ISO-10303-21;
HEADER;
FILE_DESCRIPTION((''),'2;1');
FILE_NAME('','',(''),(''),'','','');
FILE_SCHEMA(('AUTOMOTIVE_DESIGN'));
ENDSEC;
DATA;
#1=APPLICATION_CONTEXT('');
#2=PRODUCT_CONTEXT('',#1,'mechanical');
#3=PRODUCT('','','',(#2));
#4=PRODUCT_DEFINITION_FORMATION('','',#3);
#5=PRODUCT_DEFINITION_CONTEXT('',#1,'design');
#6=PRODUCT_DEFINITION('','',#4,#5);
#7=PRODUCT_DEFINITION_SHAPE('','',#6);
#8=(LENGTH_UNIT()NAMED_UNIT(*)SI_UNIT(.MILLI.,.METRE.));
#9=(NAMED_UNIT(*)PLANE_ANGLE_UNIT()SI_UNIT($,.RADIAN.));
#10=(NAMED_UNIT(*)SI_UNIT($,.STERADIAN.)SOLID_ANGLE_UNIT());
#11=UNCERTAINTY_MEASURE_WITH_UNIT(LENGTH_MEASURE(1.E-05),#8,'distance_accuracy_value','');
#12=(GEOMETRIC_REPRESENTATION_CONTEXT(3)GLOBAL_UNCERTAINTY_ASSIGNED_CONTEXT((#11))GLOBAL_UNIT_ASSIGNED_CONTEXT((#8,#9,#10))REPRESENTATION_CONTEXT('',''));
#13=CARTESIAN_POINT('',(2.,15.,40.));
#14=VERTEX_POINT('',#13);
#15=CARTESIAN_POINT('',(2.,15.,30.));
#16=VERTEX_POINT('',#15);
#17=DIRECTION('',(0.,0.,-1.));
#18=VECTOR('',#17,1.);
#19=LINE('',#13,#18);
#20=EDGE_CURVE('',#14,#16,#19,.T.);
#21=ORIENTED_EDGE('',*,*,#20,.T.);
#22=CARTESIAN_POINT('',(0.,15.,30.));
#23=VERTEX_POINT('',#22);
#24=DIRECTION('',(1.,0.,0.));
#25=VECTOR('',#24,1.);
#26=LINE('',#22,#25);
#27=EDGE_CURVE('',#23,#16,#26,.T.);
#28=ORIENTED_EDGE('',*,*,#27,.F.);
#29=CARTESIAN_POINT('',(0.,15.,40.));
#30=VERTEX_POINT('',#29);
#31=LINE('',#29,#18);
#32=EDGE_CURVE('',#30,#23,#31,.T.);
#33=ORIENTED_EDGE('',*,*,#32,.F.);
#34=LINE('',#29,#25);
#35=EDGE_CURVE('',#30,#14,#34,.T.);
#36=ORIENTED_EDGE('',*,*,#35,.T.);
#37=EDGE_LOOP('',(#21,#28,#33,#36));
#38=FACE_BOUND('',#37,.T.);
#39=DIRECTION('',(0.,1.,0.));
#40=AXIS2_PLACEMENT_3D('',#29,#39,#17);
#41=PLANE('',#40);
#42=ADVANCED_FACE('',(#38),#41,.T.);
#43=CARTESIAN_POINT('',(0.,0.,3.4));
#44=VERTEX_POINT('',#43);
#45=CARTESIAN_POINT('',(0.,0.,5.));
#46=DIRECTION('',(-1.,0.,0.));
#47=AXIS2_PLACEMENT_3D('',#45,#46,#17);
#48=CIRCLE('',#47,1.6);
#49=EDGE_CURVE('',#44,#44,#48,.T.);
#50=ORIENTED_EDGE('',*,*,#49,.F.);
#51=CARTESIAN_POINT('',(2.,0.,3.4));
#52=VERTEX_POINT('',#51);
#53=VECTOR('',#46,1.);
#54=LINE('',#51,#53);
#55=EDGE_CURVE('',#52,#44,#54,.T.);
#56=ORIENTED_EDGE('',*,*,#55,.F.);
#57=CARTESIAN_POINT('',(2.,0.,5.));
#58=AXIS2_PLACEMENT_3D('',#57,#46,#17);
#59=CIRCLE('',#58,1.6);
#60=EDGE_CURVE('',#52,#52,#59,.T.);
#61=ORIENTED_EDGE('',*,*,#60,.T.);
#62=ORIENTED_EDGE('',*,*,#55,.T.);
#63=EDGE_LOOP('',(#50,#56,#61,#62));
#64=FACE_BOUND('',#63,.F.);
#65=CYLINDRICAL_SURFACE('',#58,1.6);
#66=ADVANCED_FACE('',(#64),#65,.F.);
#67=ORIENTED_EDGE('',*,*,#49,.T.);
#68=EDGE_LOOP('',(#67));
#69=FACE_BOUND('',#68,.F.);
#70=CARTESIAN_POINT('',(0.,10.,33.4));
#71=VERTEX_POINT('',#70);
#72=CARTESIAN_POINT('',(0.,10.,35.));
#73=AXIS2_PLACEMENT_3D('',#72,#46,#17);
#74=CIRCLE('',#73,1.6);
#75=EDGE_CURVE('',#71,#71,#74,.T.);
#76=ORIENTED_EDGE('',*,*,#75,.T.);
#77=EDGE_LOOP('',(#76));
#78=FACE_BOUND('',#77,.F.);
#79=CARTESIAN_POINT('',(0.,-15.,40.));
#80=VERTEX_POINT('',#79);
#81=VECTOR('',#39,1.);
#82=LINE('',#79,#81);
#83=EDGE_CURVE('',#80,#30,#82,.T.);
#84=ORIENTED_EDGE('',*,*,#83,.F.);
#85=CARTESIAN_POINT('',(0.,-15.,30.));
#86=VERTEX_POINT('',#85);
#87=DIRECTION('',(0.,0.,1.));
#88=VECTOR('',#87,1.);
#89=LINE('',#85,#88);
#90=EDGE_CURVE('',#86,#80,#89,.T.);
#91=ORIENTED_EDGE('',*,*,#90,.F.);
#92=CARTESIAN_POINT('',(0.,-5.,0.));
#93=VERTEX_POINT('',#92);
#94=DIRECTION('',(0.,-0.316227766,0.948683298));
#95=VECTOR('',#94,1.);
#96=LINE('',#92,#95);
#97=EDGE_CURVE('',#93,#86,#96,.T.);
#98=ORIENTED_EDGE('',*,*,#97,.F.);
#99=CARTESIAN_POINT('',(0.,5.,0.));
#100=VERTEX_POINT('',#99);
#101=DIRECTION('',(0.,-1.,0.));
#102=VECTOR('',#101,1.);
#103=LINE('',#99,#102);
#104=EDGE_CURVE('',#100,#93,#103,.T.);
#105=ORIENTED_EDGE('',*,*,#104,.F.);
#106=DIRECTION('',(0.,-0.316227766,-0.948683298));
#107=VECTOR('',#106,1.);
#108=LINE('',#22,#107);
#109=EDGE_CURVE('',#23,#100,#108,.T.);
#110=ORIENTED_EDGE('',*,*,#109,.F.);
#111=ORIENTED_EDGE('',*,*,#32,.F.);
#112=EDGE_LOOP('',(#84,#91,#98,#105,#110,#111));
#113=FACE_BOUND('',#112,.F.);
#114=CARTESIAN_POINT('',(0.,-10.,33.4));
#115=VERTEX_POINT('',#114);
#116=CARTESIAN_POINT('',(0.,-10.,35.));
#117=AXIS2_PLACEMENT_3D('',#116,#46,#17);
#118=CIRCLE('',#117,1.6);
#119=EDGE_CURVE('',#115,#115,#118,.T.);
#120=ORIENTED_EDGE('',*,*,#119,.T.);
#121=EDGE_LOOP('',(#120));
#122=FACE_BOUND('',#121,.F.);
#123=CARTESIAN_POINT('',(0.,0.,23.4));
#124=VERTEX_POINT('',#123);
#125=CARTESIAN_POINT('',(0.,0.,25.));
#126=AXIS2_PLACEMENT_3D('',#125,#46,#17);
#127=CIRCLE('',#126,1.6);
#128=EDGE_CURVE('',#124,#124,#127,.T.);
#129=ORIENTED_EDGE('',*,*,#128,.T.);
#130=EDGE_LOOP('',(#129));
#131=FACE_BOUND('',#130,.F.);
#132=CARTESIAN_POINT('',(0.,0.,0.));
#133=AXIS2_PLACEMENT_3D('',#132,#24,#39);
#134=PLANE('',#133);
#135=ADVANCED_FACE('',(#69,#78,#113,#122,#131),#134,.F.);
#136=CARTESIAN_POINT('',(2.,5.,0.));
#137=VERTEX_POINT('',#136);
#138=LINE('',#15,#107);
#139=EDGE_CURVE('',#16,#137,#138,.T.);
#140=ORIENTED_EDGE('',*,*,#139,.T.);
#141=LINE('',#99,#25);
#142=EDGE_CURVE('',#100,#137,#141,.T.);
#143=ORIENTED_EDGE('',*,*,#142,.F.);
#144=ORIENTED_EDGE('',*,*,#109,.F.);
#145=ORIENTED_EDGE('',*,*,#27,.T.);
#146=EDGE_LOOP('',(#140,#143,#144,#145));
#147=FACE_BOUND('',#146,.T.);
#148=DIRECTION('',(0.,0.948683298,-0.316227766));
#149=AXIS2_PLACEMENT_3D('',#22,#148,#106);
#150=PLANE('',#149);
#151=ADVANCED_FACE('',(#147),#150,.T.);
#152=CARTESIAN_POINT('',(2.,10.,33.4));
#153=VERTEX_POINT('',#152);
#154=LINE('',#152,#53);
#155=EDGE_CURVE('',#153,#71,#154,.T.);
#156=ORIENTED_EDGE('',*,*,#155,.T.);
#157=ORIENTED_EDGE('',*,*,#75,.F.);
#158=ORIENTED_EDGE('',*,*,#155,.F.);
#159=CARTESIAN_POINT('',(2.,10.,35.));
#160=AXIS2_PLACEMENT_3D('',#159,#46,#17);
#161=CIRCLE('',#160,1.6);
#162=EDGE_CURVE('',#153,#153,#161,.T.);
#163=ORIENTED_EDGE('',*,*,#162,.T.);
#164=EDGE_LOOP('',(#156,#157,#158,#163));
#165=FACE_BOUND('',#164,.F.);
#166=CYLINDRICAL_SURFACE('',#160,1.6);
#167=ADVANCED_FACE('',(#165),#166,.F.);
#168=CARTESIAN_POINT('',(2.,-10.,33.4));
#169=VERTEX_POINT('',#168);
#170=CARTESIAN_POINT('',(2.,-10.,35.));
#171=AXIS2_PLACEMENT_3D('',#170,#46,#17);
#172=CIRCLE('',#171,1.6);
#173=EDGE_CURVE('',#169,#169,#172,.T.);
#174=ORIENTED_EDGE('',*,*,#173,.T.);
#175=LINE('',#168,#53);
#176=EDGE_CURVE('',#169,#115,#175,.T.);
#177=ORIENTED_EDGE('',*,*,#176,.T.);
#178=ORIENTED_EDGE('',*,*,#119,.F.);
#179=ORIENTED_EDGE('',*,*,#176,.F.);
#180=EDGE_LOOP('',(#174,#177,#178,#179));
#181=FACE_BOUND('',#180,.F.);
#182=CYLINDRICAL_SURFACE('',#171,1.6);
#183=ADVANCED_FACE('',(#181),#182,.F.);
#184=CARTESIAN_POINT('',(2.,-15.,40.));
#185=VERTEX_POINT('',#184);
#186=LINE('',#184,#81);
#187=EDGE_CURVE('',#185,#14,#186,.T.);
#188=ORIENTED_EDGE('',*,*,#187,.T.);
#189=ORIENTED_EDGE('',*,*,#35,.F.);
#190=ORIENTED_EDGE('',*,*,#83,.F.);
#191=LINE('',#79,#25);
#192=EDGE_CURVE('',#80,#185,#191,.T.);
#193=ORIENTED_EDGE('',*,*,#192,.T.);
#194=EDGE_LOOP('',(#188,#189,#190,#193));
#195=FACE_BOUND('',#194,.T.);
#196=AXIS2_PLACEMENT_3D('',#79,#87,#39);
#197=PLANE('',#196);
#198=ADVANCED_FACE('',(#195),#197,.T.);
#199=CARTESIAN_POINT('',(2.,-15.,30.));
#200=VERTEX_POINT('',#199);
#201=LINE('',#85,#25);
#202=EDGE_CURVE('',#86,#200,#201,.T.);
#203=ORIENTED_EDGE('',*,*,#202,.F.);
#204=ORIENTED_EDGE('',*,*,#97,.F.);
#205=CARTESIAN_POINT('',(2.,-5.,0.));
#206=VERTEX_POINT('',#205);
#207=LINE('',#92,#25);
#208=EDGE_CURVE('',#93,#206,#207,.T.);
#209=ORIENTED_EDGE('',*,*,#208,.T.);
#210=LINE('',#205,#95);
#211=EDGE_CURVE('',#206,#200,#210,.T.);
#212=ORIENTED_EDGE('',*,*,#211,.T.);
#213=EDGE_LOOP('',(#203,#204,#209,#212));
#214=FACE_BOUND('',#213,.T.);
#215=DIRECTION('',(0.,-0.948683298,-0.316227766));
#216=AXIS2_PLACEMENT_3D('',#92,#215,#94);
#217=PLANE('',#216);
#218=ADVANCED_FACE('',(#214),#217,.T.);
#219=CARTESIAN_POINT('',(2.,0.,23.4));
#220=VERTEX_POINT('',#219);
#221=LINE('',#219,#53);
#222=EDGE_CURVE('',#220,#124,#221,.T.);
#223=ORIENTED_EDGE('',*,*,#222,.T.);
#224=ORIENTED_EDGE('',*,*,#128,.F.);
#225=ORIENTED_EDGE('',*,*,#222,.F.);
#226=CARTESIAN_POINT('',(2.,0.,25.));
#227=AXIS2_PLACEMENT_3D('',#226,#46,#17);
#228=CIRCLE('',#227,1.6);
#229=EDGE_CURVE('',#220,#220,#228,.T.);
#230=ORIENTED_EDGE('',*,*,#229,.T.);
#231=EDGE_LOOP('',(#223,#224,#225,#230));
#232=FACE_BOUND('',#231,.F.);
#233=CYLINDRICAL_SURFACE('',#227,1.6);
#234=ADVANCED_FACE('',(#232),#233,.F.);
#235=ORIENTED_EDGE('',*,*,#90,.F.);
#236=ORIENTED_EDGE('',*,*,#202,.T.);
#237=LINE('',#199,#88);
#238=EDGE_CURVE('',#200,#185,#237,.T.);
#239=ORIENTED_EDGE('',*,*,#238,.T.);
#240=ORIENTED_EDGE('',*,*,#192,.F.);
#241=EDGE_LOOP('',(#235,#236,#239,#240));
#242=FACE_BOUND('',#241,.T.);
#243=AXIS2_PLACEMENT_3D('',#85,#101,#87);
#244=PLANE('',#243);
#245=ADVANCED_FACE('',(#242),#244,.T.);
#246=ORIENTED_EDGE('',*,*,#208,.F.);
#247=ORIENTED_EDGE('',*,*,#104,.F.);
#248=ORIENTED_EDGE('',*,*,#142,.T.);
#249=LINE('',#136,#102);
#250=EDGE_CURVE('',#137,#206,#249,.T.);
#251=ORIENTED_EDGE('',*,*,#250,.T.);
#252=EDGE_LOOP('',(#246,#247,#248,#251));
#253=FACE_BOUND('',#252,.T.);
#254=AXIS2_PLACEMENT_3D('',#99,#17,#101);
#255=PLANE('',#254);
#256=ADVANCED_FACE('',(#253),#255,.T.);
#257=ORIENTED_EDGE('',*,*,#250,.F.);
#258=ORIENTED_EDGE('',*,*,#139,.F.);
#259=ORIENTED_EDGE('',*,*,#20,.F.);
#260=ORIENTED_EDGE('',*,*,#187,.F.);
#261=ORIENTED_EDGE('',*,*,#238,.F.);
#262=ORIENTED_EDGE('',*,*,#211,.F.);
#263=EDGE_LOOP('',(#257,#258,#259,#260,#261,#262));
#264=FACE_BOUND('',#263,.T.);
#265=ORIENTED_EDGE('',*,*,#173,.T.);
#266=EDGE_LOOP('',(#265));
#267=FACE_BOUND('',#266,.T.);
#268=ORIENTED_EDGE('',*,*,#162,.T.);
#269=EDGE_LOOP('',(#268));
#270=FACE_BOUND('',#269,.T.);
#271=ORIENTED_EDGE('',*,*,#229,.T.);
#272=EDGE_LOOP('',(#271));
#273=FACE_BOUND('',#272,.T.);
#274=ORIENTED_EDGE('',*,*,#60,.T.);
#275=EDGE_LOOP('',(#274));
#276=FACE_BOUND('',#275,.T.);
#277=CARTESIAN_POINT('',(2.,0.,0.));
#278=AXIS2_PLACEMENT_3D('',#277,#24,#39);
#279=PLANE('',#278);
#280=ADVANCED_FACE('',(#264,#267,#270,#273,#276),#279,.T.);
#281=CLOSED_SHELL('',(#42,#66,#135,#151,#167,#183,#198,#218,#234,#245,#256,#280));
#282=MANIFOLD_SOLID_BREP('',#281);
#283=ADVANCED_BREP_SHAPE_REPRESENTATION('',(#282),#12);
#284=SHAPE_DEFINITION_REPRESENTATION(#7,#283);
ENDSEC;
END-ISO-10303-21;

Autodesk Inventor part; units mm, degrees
ref_plane "YZ Plane" through (0, 0, 0) normal (1, 0, 0) x (0, 1, 0)
ref_plane "XZ Plane" through (0, 0, 0) normal (0, 1, 0) x (-1, 0, 0)
ref_plane "XY Plane" through (0, 0, 0) normal (0, 0, 1) x (1, 0, 0)
sketch "スケッチ1" plane through (0, 0, 0) normal (1, 0, 0) x (0, 1, 0)
  line L0 (-5, 30) -> (5, 30)
  line L1 (5, 30) -> (5, 0)
  line L2 (5, 0) -> (-5, 0)
  line L3 (-5, 0) -> (-5, 30)
  line L4 (-15, 40) -> (15, 40)
  line L5 (15, 40) -> (15, 30)
  line L6 (15, 30) -> (-15, 30)
  line L7 (-15, 30) -> (-15, 40)
  line L8 (15, 30) -> (5, 0)
  line L9 (-5, 0) -> (-15, 30)
  point P0 (0, 0)
  point P1 (0, 0)
  point P2 (0, 30)
  dimension "d0" = 10
  dimension "d1" = 30
  dimension "d2" = 30
  dimension "d3" = 10
extrude "押し出し1" add sketch "スケッチ1" along normal blind 2
sketch "スケッチ2" plane through (2, 0, 0) normal (1, 0, 0) x (0, 0, -1)
  line L0 (0, -5) -> (0, 5) projected
  line L1 (-30, 15) -> (-40, 15) projected
  line L2 (-40, -15) -> (-30, -15) projected
  point P0 (0, 0)
  point P1 (-35, 10)
  point P2 (-35, -10)
  point P3 (-25, 0)
  point P4 (-5, 0)
  point P5 (0, 0)
  point P6 (-35, 15)
  dimension "d6" = 5
  dimension "d7" = 20
  dimension "d8" = 5
  dimension "d9" = 5
hole "穴1" at (2, 10, 35) at (2, -10, 35) at (2, 0, 25) at (2, 0, 5) direction (-1, 0, 0) diameter 3.2 end through all
properties part number "FrameJointT1515" material "アルミニウム 6061"
